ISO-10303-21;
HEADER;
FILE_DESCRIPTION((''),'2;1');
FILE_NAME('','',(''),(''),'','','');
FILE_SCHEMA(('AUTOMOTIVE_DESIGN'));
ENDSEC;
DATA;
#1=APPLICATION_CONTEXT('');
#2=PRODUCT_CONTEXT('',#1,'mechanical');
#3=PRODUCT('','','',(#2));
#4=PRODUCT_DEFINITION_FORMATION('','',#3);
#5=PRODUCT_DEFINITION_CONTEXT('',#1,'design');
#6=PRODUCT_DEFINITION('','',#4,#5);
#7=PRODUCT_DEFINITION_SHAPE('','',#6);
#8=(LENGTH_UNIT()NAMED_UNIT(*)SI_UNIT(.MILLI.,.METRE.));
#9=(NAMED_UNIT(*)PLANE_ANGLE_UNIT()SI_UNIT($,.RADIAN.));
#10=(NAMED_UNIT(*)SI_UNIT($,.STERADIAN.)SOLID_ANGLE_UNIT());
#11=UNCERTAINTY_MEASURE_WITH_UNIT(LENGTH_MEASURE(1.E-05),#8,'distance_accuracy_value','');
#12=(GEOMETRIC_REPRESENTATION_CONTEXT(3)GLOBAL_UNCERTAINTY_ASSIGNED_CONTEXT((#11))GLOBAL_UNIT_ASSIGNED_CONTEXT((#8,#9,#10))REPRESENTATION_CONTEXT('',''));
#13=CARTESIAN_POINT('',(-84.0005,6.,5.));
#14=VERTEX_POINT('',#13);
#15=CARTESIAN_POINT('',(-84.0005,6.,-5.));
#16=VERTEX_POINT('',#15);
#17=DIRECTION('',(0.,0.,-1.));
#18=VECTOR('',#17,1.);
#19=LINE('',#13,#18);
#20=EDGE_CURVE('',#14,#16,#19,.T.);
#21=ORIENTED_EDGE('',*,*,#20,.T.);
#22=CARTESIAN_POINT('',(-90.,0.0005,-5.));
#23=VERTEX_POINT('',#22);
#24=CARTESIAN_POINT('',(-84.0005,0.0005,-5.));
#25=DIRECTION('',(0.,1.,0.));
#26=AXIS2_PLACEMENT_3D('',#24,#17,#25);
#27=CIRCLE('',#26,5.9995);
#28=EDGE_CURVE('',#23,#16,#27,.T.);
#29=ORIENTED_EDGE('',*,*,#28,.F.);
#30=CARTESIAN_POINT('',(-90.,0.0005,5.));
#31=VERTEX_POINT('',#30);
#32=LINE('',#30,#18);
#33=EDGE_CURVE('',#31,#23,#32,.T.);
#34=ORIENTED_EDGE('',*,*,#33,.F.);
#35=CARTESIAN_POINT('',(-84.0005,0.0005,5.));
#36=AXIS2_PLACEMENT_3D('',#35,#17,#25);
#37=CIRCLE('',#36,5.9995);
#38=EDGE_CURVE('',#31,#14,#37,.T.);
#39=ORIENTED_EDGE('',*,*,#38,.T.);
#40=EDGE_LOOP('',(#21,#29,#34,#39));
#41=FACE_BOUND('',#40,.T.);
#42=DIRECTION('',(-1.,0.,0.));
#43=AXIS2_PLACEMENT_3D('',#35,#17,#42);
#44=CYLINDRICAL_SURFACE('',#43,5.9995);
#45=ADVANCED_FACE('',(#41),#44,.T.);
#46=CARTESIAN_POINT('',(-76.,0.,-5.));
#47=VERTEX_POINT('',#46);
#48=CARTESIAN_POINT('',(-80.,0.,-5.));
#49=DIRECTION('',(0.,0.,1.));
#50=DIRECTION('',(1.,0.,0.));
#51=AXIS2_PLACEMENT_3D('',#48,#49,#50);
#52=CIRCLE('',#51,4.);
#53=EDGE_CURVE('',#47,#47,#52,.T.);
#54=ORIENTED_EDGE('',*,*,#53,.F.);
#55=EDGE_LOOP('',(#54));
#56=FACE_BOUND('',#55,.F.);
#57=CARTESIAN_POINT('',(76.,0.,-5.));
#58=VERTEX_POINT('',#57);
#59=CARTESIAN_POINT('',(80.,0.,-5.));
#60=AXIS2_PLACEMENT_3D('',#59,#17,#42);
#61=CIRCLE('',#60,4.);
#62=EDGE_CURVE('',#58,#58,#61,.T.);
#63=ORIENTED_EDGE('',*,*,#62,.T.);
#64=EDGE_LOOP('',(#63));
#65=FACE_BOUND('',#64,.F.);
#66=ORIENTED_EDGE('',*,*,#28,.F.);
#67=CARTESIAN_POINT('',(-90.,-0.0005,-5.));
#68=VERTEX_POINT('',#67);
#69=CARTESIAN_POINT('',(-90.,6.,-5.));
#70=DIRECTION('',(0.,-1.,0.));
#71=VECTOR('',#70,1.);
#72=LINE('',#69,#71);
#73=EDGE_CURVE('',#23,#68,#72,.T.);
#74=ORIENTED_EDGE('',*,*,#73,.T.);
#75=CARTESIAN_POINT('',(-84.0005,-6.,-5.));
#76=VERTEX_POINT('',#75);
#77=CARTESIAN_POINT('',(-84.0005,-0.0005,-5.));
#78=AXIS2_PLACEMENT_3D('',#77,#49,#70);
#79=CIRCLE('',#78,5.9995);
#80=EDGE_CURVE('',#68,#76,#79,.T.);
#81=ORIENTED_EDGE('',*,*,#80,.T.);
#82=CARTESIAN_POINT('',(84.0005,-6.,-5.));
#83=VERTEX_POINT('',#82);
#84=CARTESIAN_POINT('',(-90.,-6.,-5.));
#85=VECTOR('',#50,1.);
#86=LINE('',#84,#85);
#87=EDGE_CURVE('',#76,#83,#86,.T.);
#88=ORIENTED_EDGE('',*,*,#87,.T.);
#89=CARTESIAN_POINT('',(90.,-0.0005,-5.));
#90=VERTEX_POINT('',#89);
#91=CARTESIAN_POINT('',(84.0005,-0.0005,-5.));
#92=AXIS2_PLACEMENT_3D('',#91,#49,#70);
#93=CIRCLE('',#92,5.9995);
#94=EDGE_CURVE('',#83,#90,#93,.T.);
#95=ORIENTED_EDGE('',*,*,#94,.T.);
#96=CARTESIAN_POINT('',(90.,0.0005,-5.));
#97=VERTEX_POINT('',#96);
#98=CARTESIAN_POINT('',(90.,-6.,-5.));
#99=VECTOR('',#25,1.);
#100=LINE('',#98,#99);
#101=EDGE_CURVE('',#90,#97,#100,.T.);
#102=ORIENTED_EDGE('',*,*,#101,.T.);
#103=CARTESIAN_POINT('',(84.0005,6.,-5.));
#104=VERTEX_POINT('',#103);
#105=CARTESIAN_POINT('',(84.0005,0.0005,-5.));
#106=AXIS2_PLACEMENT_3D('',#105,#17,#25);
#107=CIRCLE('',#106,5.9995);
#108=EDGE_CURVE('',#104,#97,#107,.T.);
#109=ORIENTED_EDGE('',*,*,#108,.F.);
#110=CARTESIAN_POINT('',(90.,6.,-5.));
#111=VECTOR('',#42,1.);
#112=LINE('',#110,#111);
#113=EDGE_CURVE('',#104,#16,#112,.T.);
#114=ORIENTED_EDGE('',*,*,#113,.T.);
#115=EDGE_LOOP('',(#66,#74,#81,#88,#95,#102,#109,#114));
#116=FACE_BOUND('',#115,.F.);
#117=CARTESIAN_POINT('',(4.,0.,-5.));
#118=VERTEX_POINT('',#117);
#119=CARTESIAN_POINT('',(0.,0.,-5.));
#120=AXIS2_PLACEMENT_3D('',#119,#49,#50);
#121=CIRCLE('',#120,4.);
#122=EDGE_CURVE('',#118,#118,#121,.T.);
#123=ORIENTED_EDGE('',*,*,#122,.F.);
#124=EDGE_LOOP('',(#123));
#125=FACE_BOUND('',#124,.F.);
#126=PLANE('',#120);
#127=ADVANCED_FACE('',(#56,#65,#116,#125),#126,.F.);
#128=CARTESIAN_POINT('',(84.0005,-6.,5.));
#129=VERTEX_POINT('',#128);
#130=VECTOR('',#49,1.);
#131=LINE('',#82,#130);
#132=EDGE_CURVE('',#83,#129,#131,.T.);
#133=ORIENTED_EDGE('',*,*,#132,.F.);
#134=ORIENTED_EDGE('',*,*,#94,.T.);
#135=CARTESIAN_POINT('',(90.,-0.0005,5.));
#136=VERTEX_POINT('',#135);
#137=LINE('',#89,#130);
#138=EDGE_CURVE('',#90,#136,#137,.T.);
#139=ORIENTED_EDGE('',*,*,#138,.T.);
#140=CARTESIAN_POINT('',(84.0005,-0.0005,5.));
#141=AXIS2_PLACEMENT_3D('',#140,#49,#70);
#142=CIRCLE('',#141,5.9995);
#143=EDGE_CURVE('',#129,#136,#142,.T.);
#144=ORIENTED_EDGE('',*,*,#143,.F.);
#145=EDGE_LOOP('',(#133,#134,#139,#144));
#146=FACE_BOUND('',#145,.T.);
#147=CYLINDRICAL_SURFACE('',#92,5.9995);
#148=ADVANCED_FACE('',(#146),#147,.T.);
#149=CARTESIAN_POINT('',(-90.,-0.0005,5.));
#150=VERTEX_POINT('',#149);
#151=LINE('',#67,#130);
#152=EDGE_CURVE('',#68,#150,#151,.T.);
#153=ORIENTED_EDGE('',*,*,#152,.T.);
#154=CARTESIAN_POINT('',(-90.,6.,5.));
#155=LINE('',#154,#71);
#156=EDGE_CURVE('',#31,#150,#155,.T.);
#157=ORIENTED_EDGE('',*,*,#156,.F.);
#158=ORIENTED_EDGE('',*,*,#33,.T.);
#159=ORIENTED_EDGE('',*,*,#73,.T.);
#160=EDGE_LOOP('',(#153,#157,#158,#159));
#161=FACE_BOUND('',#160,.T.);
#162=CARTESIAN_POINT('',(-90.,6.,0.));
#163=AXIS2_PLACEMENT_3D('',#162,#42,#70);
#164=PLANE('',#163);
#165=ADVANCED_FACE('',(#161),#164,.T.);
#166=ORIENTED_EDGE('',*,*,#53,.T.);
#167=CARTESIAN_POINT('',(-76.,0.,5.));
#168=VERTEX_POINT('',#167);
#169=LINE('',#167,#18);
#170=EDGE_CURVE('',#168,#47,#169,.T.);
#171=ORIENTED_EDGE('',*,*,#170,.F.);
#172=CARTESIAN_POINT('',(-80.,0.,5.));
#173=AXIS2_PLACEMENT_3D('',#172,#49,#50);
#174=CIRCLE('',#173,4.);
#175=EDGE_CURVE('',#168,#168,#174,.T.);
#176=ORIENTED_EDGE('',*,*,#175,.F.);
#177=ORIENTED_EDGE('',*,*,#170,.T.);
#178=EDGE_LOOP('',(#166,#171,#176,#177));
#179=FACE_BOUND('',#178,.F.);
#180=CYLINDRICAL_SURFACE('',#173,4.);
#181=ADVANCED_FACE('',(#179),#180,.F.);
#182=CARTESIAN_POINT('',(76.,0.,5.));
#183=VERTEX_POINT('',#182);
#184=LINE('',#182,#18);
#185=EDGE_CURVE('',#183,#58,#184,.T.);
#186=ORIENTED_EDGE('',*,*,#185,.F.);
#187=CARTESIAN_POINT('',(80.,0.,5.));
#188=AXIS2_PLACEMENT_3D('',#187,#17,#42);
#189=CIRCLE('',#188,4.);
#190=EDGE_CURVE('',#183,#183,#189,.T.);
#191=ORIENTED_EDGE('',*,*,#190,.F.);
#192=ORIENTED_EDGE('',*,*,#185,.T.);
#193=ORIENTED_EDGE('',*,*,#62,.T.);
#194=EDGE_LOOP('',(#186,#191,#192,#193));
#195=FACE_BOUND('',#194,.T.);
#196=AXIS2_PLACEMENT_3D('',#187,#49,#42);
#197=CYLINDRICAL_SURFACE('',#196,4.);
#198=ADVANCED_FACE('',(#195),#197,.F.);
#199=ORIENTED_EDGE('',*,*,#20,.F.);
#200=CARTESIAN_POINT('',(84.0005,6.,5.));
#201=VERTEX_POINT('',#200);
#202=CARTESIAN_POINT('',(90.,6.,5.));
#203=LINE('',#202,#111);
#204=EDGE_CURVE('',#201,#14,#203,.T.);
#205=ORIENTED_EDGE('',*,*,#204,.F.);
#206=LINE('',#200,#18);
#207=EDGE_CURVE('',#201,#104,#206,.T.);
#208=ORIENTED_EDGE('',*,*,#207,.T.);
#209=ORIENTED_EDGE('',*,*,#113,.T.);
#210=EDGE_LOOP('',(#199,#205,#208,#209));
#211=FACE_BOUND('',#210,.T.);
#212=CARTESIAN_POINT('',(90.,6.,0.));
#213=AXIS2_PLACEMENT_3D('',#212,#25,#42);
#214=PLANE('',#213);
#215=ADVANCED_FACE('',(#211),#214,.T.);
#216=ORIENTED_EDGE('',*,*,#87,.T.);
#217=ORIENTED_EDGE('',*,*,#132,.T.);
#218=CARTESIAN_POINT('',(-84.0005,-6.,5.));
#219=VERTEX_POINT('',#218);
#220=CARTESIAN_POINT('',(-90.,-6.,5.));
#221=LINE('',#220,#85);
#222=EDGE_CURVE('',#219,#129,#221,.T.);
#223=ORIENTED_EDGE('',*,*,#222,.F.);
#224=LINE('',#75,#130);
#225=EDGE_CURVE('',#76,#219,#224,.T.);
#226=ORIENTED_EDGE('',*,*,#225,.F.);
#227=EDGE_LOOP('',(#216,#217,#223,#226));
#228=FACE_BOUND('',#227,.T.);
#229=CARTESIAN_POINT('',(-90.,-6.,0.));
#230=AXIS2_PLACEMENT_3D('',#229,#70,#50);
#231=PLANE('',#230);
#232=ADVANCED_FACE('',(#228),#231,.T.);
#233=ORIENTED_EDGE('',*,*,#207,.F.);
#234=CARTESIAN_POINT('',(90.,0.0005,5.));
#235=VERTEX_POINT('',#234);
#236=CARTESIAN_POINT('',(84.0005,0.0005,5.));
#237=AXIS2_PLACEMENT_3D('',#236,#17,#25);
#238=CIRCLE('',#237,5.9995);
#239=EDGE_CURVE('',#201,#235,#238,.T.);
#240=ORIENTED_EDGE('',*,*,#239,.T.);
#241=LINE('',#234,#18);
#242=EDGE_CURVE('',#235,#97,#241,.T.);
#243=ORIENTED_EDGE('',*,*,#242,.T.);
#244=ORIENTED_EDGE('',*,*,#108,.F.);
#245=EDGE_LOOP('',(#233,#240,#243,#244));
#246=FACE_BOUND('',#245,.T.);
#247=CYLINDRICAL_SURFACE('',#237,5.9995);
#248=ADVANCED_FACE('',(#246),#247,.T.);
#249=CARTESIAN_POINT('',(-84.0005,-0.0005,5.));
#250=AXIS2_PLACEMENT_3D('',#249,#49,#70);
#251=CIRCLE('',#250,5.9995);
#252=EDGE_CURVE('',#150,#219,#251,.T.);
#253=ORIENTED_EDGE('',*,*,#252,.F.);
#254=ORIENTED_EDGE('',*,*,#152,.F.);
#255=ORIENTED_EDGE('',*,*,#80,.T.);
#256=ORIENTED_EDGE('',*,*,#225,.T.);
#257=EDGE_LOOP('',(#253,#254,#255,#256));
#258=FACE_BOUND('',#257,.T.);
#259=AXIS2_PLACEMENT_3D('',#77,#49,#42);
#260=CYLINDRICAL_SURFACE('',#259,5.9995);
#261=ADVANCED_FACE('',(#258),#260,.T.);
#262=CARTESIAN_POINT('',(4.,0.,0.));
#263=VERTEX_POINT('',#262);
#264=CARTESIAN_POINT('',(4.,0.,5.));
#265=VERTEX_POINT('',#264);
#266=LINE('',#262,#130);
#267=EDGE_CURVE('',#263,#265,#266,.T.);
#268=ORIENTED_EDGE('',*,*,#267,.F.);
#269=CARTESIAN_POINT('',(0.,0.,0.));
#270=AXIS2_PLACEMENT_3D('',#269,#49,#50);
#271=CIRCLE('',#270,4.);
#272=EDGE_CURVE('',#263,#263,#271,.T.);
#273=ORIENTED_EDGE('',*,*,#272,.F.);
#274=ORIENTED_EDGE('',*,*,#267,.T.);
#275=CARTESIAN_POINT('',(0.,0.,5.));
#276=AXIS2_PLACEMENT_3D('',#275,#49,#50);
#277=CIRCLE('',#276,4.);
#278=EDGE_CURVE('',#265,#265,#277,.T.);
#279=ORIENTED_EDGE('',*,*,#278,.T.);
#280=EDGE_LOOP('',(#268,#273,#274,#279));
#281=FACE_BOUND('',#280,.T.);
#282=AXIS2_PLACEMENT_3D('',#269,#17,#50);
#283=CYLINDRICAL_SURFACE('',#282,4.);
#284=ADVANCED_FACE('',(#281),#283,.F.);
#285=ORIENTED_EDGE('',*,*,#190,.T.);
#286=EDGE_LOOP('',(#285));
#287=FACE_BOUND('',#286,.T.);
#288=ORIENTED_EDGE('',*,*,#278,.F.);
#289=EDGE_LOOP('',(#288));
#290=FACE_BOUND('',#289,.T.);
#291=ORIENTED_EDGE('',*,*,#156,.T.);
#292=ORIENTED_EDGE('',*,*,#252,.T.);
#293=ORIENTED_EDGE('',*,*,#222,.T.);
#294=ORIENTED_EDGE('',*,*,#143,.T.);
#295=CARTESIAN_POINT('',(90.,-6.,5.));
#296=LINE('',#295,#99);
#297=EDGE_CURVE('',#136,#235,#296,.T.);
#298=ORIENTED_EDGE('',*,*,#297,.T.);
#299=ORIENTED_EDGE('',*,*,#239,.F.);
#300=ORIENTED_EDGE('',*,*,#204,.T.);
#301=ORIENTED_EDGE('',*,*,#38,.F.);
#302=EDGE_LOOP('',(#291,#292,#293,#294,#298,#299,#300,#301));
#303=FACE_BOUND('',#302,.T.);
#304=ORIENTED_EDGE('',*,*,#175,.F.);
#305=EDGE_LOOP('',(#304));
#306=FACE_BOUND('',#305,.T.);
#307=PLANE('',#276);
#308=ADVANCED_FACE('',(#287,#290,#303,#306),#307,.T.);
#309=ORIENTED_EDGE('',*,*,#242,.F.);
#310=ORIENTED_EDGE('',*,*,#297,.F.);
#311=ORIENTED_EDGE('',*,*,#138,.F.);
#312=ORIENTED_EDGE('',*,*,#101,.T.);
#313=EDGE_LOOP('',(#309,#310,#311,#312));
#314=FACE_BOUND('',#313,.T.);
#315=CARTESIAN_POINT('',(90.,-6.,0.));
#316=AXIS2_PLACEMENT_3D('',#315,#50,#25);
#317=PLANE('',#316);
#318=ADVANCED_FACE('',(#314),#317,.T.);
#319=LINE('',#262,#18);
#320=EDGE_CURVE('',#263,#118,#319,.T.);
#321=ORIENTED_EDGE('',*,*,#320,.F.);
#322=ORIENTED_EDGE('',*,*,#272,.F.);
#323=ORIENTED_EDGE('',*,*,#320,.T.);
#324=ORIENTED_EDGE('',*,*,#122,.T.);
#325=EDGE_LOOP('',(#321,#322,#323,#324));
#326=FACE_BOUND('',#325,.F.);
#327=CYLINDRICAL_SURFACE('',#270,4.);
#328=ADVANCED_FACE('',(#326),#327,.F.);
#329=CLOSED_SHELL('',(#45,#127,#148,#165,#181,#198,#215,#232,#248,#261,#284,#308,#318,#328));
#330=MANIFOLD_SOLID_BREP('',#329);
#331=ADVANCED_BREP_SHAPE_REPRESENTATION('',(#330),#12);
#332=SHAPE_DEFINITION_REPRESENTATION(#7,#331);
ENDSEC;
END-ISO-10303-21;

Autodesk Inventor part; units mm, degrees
ref_plane "YZ Plane" through (0, 0, 0) normal (1, 0, 0) x (0, 1, 0)
ref_plane "XZ Plane" through (0, 0, 0) normal (0, 1, 0) x (-1, 0, 0)
sketch "Sketch1" plane through (0, 0, 0) normal (0, 0, 1) x (1, 0, 0)
  circle A0 centre (0, 0) radius 4
  circle A1 centre (0, 0) radius 5
  line L0 (-90, -6) -> (90, -6)
  line L1 (90, -6) -> (90, 6)
  line L2 (90, 6) -> (-90, 6)
  line L3 (-90, 6) -> (-90, -6)
  line L4 (-90, -6) -> (90, 6) construction
  line L5 (90, -6) -> (-90, 6) construction
  point P0 (0, -5)
  point P1 (0, 5)
  point P2 (0, 0)
  point P3 (0, 0)
  dimension "d11" = 180
  dimension "d14" = 12
ref_plane "Work Plane1" through (0, 0, 5) normal (0, 0, 1) x (1, 0, 0)
extrude "Extrusion3" add sketch "Sketch1" along normal mid plane 10 contours A0 | A1 | L3 L2 L1 L0
extrude "Extrusion4" cut sketch "Sketch1" along normal mid plane 10 contours A0
fillet "Fillet3" radius 6 4 edges at (-90, -6, 0) (-90, 6, 0) (90, 6, 0) (90, -6, 0)
sketch "Sketch4" plane through (0, 0, 5) normal (0, 0, 1) x (1, 0, 0)
  circle A0 centre (0, 0) radius 4 projected
  line L0 (0, 0) -> (-80, 0)
  circle A1 centre (-80, 0) radius 4
  circle A2 centre (-80, 0) radius 6
  line L1 (-84, 6) -> (84, 6) projected
  point P0 (0, 0)
  dimension "d22" = 80
  dimension "d23" = 8
extrude "Extrusion6" cut sketch "Sketch4" against normal blind 10 contours A1
mirror "Mirror2" about plane through (0, 0, 0) normal (1, 0, 0) of "Extrusion6"
properties part number "Lever"
